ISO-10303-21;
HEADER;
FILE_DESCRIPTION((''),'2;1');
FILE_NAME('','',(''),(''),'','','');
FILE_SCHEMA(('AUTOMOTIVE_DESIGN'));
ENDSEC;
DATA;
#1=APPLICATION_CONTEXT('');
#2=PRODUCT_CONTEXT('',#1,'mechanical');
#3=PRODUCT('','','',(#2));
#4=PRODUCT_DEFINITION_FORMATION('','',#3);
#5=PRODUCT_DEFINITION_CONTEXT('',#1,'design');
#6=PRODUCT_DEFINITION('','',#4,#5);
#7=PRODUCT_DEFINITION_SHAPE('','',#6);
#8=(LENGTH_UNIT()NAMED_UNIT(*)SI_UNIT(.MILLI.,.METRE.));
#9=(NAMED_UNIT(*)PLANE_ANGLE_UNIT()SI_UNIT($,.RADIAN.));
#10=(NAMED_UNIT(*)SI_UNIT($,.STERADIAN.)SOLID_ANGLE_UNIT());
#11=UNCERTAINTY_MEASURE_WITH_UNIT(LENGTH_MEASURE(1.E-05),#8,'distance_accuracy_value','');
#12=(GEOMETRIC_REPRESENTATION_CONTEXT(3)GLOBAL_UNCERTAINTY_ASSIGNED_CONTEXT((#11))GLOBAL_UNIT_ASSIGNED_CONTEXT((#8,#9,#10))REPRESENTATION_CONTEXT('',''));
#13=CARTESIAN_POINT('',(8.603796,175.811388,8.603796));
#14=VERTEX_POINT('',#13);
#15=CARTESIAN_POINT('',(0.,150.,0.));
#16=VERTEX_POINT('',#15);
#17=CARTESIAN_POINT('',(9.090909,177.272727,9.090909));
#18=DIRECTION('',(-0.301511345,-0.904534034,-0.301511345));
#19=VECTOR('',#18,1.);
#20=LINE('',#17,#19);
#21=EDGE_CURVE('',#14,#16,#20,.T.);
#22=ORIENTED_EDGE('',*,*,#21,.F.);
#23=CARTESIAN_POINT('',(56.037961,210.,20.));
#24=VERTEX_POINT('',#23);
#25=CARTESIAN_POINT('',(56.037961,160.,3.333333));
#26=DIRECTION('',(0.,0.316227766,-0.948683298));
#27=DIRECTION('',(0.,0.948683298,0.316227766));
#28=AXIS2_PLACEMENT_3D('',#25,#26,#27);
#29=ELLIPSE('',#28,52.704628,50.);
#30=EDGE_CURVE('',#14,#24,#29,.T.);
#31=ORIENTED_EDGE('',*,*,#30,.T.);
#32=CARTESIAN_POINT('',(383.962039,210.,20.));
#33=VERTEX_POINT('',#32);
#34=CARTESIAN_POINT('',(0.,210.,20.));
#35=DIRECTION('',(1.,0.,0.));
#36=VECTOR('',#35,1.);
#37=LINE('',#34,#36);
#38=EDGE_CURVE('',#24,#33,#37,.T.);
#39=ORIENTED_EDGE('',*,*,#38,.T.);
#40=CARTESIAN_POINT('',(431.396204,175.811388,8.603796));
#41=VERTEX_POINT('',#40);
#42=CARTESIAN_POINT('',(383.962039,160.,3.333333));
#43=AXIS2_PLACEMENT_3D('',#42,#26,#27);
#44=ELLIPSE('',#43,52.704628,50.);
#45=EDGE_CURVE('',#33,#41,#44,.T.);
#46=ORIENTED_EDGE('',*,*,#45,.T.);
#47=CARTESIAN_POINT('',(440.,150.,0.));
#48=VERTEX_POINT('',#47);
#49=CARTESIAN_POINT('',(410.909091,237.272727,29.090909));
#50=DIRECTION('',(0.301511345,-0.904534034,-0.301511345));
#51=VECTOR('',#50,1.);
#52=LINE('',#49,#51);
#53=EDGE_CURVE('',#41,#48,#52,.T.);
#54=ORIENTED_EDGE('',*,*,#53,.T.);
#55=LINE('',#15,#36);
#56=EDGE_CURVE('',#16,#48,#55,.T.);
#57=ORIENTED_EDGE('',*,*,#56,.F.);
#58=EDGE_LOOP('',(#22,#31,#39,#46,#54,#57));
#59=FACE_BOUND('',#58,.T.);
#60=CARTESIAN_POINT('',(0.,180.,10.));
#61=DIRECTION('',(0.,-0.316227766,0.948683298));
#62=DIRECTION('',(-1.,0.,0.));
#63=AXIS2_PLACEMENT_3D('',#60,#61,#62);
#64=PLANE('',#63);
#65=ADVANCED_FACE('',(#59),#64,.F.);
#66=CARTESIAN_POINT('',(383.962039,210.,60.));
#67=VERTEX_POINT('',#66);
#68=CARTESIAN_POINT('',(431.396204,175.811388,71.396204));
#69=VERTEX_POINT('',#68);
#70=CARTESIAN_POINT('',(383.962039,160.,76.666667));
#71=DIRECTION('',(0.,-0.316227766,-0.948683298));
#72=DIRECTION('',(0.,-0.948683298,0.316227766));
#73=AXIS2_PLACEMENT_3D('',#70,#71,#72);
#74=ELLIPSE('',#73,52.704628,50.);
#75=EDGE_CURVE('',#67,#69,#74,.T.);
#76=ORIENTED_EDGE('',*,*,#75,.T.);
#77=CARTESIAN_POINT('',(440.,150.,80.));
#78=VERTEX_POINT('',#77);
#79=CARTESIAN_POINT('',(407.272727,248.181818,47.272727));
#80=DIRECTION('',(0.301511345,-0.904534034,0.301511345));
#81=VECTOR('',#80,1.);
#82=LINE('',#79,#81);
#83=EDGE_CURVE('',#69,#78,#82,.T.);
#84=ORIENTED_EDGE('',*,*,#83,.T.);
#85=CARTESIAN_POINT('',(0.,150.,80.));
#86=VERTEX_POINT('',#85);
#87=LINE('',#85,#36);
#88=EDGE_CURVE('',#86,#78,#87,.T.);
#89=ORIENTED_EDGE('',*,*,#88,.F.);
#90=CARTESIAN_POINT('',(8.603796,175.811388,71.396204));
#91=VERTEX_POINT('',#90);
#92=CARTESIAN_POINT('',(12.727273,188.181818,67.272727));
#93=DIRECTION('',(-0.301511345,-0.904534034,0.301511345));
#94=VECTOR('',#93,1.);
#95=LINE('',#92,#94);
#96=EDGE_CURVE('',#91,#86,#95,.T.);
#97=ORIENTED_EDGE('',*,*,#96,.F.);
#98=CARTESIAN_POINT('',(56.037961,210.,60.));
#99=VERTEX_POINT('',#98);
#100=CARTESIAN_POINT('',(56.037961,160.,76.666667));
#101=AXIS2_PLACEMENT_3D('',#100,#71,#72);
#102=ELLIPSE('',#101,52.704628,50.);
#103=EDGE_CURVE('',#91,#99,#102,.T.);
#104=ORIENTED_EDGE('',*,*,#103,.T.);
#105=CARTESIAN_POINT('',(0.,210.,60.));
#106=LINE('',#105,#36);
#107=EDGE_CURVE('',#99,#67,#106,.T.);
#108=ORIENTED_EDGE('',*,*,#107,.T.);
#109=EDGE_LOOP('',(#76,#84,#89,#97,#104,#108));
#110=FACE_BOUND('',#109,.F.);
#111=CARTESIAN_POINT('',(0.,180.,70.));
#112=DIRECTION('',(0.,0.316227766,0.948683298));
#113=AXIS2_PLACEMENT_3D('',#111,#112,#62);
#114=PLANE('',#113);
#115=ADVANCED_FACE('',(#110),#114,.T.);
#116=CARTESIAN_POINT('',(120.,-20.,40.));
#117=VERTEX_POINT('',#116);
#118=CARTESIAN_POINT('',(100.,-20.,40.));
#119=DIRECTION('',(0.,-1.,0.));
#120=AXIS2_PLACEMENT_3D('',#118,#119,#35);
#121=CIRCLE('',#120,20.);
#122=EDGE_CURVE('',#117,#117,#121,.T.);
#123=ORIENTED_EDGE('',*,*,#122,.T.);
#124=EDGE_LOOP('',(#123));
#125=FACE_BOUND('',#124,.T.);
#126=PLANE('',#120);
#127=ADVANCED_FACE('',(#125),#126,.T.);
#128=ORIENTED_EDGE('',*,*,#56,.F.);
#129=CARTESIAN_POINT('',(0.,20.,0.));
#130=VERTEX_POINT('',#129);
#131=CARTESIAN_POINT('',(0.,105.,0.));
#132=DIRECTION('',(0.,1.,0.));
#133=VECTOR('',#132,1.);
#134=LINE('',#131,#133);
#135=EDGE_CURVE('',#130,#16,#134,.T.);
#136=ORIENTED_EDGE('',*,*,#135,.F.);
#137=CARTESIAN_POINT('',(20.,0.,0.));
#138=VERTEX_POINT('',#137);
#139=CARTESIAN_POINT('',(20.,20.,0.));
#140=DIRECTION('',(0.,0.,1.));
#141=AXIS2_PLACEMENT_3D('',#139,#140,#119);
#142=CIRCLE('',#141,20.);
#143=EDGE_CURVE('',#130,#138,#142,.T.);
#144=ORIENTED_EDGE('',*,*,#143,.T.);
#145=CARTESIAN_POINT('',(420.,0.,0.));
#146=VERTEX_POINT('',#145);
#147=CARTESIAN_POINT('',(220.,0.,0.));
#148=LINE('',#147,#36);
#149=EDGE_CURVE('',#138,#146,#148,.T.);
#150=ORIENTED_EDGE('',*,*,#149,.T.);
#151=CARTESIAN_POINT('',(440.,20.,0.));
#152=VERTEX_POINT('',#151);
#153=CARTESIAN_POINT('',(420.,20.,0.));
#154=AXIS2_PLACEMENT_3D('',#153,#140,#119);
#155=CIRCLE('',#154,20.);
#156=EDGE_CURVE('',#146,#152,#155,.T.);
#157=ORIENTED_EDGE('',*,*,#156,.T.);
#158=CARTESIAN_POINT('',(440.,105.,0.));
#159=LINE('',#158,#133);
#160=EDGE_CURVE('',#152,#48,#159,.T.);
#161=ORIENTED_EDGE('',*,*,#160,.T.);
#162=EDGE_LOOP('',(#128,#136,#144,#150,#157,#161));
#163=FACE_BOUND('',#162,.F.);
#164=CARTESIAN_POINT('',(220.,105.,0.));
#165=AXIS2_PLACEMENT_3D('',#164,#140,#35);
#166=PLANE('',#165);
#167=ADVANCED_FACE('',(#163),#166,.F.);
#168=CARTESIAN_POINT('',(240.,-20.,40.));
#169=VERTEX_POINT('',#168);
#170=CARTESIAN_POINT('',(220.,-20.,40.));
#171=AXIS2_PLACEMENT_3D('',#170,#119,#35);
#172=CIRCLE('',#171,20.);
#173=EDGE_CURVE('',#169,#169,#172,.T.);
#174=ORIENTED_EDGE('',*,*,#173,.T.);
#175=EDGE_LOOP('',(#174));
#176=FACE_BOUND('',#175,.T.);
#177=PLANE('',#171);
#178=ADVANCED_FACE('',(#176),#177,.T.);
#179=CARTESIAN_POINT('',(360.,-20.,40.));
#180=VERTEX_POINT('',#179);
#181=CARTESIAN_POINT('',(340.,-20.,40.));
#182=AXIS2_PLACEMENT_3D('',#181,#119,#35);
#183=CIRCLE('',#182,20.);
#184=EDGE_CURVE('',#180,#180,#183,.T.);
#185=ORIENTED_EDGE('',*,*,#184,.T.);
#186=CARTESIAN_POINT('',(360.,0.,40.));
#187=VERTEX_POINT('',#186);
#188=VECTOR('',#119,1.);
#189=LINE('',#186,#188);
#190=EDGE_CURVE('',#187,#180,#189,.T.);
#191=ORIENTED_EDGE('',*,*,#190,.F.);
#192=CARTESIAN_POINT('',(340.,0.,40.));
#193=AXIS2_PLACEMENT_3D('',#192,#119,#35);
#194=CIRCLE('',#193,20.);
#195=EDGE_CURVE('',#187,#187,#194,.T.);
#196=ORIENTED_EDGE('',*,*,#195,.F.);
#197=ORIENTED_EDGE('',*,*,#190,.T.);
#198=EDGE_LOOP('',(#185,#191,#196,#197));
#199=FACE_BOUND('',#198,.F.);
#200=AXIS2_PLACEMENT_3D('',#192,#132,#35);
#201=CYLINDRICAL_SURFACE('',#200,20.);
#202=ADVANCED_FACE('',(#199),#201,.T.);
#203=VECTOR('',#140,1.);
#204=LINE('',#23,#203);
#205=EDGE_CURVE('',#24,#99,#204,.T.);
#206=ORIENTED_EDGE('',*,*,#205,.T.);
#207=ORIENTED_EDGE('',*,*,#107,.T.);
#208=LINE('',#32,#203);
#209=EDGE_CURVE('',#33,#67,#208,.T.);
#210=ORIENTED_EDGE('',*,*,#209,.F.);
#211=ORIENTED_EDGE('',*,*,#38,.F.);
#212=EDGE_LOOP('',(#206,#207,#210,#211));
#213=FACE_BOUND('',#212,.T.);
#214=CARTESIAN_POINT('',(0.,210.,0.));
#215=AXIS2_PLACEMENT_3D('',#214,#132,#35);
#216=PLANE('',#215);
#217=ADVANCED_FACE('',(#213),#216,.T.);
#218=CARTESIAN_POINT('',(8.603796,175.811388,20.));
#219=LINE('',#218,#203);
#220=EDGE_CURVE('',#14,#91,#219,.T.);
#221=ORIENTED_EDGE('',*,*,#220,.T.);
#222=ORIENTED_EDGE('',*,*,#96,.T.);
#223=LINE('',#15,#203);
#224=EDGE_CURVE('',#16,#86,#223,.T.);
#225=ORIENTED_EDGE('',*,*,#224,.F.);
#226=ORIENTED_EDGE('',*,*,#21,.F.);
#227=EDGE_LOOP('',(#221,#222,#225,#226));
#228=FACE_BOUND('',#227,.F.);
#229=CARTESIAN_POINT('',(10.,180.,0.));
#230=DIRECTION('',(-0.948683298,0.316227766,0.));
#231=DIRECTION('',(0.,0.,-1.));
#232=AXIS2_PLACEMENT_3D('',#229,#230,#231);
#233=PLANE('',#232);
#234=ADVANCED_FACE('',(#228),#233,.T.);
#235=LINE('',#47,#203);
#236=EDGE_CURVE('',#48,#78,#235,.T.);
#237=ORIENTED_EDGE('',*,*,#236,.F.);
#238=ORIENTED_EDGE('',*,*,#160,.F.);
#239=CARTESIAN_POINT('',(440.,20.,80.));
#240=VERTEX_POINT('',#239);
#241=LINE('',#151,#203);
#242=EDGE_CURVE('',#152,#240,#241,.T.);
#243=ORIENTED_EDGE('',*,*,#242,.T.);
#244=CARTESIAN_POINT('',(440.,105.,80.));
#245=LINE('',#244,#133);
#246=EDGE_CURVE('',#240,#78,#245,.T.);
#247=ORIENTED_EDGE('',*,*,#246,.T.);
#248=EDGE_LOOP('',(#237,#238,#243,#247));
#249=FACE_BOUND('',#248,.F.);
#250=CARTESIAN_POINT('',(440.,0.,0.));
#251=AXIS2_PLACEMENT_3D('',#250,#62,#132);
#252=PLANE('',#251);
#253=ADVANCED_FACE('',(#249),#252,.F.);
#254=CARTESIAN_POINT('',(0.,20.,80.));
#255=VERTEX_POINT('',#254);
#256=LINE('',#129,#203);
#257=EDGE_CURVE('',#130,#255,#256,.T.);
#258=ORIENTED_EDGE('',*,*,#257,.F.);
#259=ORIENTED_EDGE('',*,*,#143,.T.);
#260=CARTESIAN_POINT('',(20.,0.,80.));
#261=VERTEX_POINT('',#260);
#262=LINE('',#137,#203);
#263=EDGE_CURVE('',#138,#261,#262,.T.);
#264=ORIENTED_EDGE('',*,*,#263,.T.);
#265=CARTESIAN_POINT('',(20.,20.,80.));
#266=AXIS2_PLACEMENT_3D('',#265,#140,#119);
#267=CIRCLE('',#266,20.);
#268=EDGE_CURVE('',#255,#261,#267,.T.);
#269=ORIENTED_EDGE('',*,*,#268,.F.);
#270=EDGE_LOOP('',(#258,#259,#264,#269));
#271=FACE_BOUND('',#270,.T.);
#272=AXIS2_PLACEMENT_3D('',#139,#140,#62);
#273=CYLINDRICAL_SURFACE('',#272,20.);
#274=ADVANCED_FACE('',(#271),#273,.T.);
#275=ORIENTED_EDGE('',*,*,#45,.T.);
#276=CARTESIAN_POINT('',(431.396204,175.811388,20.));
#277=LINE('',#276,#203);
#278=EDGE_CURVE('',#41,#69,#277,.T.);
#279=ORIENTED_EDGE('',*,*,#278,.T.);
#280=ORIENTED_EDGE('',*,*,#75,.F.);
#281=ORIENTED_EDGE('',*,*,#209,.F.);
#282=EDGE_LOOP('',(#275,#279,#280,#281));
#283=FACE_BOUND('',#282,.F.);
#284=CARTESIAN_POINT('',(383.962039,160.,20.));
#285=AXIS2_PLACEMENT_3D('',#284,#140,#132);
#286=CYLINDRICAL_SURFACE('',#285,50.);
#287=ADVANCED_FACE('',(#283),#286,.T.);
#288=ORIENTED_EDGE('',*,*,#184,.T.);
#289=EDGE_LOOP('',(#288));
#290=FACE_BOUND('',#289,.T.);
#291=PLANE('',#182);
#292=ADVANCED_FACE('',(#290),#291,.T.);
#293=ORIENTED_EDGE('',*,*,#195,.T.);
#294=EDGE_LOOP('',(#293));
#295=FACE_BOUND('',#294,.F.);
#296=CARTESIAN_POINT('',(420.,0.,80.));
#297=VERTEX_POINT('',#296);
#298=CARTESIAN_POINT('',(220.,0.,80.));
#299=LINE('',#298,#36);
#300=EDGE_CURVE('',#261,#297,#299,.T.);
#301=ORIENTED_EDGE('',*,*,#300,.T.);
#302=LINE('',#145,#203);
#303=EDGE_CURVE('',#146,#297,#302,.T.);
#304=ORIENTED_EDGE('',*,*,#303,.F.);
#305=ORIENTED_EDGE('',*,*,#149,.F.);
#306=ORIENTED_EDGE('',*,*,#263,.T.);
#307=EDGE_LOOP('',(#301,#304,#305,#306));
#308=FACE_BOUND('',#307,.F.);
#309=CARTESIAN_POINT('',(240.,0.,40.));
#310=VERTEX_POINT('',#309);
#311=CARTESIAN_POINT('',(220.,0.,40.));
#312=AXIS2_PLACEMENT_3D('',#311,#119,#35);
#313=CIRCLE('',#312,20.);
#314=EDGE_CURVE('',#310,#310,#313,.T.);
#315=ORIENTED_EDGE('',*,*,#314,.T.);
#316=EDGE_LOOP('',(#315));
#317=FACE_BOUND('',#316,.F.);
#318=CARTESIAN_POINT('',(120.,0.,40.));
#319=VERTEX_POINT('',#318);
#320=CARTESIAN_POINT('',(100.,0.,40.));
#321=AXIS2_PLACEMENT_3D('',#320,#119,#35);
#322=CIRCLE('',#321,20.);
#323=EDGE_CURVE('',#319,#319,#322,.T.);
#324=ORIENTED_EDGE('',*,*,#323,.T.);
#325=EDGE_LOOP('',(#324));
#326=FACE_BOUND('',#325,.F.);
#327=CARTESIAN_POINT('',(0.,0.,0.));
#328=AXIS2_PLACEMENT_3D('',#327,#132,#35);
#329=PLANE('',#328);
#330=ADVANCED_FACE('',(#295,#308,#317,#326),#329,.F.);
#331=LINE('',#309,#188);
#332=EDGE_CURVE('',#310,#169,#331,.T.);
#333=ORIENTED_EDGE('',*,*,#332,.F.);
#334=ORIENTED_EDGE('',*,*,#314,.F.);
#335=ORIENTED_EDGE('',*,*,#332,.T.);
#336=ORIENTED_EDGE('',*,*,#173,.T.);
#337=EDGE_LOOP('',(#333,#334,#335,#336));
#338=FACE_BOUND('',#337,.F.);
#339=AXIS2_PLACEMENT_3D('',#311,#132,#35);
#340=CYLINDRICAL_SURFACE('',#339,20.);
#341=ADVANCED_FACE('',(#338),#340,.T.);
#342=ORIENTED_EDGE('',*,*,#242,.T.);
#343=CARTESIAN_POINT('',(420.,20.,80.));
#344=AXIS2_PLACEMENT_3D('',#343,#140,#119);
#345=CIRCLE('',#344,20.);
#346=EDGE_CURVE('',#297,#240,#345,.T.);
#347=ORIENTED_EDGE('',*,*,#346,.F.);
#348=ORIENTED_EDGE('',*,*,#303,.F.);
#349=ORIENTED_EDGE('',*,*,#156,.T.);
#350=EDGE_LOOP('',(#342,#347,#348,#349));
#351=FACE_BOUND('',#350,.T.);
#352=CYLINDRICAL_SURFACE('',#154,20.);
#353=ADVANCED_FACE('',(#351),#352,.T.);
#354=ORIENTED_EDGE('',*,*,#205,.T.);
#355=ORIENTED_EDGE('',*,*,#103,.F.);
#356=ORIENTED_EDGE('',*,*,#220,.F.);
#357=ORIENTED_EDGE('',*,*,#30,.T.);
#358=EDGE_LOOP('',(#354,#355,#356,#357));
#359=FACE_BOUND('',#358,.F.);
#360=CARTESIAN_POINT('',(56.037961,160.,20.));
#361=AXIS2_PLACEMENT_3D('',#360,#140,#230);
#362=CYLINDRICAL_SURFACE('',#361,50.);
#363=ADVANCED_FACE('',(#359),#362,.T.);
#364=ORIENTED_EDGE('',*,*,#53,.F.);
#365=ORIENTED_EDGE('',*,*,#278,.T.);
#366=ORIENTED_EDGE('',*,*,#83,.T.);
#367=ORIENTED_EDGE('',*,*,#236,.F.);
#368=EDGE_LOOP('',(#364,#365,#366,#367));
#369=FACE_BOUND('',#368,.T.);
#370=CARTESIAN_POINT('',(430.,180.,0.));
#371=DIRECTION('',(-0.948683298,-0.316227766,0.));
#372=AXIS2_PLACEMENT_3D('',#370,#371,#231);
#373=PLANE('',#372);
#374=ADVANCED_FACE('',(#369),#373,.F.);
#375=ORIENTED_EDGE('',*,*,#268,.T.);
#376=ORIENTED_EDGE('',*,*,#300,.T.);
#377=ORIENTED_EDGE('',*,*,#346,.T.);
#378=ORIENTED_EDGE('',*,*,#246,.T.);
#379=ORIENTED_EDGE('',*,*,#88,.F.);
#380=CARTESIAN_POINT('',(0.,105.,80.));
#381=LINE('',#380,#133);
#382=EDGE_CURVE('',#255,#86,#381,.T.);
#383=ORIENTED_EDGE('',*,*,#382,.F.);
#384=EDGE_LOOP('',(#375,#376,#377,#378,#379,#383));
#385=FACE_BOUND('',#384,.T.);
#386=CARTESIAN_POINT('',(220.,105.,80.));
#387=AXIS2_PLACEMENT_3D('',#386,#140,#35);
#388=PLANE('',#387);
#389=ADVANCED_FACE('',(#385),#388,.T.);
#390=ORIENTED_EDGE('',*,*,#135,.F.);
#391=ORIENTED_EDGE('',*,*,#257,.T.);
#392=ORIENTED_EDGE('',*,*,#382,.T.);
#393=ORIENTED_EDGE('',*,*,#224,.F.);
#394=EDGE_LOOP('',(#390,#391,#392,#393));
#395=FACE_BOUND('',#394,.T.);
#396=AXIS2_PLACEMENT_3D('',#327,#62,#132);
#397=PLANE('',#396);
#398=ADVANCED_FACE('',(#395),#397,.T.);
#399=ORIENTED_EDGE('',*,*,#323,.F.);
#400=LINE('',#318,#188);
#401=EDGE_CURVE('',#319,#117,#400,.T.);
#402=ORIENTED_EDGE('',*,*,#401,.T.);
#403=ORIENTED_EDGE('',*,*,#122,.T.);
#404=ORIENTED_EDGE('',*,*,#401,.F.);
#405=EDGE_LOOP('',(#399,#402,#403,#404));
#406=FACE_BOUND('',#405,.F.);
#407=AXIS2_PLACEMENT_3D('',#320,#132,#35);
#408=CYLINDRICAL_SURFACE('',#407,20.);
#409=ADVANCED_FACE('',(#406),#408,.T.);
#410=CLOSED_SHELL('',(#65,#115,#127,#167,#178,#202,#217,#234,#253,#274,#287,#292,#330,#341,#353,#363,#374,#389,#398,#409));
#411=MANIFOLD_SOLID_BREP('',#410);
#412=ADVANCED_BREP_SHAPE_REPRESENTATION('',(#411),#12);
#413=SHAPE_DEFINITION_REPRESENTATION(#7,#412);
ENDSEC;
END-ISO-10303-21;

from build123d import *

# Parameters (mm, degrees)
F0_W     = 440
F0_H     = 210
F1_DEPTH = 80
F2_SIZE2 = 60
F2_SIZE  = 20
F3_R     = 50
F4_R     = 50
F5_R     = 20
F6_R     = 20
F7_R     = 20
F8_DEPTH = 20


with BuildPart() as f1:
    # F0 (on Top) → F1 (new body)
    with BuildSketch(Plane.XY):
        with Locations((220, 105)):
            Rectangle(F0_W, F0_H)
    extrude(amount=F1_DEPTH)

    # F2
    f2_edges = [f1.edges().sort_by_distance(p)[0] for p in [
        (440, 210, 40),
        (0, 210, 40),
        (220, 210, 0),
        (220, 210, 80),
    ]]
    f2_side = f1.faces().sort_by_distance((220, 210, 40))[0]
    chamfer(f2_edges, length=F2_SIZE, length2=F2_SIZE2, reference=f2_side)

    # F3
    f3_edges = [f1.edges().sort_by_distance(p)[0] for p in [
        (20, 210, 40),
    ]]
    fillet(f3_edges, radius=F3_R)

    # F4
    f4_edges = [f1.edges().sort_by_distance(p)[0] for p in [
        (420, 210, 40),
    ]]
    fillet(f4_edges, radius=F4_R)

    # F5
    f5_edges = [f1.edges().sort_by_distance(p)[0] for p in [
        (0, 0, 40),
    ]]
    fillet(f5_edges, radius=F5_R)

    # F6
    f6_edges = [f1.edges().sort_by_distance(p)[0] for p in [
        (440, 0, 40),
    ]]
    fillet(f6_edges, radius=F6_R)

    # F7 (on face) → F8 (join)
    with BuildSketch(Plane.XZ):
        with Locations((100, 40)):
            Circle(F7_R)
        with Locations((220, 40)):
            Circle(F7_R)
        with Locations((340, 40)):
            Circle(F7_R)
    extrude(amount=F8_DEPTH)


solid = f1.part
